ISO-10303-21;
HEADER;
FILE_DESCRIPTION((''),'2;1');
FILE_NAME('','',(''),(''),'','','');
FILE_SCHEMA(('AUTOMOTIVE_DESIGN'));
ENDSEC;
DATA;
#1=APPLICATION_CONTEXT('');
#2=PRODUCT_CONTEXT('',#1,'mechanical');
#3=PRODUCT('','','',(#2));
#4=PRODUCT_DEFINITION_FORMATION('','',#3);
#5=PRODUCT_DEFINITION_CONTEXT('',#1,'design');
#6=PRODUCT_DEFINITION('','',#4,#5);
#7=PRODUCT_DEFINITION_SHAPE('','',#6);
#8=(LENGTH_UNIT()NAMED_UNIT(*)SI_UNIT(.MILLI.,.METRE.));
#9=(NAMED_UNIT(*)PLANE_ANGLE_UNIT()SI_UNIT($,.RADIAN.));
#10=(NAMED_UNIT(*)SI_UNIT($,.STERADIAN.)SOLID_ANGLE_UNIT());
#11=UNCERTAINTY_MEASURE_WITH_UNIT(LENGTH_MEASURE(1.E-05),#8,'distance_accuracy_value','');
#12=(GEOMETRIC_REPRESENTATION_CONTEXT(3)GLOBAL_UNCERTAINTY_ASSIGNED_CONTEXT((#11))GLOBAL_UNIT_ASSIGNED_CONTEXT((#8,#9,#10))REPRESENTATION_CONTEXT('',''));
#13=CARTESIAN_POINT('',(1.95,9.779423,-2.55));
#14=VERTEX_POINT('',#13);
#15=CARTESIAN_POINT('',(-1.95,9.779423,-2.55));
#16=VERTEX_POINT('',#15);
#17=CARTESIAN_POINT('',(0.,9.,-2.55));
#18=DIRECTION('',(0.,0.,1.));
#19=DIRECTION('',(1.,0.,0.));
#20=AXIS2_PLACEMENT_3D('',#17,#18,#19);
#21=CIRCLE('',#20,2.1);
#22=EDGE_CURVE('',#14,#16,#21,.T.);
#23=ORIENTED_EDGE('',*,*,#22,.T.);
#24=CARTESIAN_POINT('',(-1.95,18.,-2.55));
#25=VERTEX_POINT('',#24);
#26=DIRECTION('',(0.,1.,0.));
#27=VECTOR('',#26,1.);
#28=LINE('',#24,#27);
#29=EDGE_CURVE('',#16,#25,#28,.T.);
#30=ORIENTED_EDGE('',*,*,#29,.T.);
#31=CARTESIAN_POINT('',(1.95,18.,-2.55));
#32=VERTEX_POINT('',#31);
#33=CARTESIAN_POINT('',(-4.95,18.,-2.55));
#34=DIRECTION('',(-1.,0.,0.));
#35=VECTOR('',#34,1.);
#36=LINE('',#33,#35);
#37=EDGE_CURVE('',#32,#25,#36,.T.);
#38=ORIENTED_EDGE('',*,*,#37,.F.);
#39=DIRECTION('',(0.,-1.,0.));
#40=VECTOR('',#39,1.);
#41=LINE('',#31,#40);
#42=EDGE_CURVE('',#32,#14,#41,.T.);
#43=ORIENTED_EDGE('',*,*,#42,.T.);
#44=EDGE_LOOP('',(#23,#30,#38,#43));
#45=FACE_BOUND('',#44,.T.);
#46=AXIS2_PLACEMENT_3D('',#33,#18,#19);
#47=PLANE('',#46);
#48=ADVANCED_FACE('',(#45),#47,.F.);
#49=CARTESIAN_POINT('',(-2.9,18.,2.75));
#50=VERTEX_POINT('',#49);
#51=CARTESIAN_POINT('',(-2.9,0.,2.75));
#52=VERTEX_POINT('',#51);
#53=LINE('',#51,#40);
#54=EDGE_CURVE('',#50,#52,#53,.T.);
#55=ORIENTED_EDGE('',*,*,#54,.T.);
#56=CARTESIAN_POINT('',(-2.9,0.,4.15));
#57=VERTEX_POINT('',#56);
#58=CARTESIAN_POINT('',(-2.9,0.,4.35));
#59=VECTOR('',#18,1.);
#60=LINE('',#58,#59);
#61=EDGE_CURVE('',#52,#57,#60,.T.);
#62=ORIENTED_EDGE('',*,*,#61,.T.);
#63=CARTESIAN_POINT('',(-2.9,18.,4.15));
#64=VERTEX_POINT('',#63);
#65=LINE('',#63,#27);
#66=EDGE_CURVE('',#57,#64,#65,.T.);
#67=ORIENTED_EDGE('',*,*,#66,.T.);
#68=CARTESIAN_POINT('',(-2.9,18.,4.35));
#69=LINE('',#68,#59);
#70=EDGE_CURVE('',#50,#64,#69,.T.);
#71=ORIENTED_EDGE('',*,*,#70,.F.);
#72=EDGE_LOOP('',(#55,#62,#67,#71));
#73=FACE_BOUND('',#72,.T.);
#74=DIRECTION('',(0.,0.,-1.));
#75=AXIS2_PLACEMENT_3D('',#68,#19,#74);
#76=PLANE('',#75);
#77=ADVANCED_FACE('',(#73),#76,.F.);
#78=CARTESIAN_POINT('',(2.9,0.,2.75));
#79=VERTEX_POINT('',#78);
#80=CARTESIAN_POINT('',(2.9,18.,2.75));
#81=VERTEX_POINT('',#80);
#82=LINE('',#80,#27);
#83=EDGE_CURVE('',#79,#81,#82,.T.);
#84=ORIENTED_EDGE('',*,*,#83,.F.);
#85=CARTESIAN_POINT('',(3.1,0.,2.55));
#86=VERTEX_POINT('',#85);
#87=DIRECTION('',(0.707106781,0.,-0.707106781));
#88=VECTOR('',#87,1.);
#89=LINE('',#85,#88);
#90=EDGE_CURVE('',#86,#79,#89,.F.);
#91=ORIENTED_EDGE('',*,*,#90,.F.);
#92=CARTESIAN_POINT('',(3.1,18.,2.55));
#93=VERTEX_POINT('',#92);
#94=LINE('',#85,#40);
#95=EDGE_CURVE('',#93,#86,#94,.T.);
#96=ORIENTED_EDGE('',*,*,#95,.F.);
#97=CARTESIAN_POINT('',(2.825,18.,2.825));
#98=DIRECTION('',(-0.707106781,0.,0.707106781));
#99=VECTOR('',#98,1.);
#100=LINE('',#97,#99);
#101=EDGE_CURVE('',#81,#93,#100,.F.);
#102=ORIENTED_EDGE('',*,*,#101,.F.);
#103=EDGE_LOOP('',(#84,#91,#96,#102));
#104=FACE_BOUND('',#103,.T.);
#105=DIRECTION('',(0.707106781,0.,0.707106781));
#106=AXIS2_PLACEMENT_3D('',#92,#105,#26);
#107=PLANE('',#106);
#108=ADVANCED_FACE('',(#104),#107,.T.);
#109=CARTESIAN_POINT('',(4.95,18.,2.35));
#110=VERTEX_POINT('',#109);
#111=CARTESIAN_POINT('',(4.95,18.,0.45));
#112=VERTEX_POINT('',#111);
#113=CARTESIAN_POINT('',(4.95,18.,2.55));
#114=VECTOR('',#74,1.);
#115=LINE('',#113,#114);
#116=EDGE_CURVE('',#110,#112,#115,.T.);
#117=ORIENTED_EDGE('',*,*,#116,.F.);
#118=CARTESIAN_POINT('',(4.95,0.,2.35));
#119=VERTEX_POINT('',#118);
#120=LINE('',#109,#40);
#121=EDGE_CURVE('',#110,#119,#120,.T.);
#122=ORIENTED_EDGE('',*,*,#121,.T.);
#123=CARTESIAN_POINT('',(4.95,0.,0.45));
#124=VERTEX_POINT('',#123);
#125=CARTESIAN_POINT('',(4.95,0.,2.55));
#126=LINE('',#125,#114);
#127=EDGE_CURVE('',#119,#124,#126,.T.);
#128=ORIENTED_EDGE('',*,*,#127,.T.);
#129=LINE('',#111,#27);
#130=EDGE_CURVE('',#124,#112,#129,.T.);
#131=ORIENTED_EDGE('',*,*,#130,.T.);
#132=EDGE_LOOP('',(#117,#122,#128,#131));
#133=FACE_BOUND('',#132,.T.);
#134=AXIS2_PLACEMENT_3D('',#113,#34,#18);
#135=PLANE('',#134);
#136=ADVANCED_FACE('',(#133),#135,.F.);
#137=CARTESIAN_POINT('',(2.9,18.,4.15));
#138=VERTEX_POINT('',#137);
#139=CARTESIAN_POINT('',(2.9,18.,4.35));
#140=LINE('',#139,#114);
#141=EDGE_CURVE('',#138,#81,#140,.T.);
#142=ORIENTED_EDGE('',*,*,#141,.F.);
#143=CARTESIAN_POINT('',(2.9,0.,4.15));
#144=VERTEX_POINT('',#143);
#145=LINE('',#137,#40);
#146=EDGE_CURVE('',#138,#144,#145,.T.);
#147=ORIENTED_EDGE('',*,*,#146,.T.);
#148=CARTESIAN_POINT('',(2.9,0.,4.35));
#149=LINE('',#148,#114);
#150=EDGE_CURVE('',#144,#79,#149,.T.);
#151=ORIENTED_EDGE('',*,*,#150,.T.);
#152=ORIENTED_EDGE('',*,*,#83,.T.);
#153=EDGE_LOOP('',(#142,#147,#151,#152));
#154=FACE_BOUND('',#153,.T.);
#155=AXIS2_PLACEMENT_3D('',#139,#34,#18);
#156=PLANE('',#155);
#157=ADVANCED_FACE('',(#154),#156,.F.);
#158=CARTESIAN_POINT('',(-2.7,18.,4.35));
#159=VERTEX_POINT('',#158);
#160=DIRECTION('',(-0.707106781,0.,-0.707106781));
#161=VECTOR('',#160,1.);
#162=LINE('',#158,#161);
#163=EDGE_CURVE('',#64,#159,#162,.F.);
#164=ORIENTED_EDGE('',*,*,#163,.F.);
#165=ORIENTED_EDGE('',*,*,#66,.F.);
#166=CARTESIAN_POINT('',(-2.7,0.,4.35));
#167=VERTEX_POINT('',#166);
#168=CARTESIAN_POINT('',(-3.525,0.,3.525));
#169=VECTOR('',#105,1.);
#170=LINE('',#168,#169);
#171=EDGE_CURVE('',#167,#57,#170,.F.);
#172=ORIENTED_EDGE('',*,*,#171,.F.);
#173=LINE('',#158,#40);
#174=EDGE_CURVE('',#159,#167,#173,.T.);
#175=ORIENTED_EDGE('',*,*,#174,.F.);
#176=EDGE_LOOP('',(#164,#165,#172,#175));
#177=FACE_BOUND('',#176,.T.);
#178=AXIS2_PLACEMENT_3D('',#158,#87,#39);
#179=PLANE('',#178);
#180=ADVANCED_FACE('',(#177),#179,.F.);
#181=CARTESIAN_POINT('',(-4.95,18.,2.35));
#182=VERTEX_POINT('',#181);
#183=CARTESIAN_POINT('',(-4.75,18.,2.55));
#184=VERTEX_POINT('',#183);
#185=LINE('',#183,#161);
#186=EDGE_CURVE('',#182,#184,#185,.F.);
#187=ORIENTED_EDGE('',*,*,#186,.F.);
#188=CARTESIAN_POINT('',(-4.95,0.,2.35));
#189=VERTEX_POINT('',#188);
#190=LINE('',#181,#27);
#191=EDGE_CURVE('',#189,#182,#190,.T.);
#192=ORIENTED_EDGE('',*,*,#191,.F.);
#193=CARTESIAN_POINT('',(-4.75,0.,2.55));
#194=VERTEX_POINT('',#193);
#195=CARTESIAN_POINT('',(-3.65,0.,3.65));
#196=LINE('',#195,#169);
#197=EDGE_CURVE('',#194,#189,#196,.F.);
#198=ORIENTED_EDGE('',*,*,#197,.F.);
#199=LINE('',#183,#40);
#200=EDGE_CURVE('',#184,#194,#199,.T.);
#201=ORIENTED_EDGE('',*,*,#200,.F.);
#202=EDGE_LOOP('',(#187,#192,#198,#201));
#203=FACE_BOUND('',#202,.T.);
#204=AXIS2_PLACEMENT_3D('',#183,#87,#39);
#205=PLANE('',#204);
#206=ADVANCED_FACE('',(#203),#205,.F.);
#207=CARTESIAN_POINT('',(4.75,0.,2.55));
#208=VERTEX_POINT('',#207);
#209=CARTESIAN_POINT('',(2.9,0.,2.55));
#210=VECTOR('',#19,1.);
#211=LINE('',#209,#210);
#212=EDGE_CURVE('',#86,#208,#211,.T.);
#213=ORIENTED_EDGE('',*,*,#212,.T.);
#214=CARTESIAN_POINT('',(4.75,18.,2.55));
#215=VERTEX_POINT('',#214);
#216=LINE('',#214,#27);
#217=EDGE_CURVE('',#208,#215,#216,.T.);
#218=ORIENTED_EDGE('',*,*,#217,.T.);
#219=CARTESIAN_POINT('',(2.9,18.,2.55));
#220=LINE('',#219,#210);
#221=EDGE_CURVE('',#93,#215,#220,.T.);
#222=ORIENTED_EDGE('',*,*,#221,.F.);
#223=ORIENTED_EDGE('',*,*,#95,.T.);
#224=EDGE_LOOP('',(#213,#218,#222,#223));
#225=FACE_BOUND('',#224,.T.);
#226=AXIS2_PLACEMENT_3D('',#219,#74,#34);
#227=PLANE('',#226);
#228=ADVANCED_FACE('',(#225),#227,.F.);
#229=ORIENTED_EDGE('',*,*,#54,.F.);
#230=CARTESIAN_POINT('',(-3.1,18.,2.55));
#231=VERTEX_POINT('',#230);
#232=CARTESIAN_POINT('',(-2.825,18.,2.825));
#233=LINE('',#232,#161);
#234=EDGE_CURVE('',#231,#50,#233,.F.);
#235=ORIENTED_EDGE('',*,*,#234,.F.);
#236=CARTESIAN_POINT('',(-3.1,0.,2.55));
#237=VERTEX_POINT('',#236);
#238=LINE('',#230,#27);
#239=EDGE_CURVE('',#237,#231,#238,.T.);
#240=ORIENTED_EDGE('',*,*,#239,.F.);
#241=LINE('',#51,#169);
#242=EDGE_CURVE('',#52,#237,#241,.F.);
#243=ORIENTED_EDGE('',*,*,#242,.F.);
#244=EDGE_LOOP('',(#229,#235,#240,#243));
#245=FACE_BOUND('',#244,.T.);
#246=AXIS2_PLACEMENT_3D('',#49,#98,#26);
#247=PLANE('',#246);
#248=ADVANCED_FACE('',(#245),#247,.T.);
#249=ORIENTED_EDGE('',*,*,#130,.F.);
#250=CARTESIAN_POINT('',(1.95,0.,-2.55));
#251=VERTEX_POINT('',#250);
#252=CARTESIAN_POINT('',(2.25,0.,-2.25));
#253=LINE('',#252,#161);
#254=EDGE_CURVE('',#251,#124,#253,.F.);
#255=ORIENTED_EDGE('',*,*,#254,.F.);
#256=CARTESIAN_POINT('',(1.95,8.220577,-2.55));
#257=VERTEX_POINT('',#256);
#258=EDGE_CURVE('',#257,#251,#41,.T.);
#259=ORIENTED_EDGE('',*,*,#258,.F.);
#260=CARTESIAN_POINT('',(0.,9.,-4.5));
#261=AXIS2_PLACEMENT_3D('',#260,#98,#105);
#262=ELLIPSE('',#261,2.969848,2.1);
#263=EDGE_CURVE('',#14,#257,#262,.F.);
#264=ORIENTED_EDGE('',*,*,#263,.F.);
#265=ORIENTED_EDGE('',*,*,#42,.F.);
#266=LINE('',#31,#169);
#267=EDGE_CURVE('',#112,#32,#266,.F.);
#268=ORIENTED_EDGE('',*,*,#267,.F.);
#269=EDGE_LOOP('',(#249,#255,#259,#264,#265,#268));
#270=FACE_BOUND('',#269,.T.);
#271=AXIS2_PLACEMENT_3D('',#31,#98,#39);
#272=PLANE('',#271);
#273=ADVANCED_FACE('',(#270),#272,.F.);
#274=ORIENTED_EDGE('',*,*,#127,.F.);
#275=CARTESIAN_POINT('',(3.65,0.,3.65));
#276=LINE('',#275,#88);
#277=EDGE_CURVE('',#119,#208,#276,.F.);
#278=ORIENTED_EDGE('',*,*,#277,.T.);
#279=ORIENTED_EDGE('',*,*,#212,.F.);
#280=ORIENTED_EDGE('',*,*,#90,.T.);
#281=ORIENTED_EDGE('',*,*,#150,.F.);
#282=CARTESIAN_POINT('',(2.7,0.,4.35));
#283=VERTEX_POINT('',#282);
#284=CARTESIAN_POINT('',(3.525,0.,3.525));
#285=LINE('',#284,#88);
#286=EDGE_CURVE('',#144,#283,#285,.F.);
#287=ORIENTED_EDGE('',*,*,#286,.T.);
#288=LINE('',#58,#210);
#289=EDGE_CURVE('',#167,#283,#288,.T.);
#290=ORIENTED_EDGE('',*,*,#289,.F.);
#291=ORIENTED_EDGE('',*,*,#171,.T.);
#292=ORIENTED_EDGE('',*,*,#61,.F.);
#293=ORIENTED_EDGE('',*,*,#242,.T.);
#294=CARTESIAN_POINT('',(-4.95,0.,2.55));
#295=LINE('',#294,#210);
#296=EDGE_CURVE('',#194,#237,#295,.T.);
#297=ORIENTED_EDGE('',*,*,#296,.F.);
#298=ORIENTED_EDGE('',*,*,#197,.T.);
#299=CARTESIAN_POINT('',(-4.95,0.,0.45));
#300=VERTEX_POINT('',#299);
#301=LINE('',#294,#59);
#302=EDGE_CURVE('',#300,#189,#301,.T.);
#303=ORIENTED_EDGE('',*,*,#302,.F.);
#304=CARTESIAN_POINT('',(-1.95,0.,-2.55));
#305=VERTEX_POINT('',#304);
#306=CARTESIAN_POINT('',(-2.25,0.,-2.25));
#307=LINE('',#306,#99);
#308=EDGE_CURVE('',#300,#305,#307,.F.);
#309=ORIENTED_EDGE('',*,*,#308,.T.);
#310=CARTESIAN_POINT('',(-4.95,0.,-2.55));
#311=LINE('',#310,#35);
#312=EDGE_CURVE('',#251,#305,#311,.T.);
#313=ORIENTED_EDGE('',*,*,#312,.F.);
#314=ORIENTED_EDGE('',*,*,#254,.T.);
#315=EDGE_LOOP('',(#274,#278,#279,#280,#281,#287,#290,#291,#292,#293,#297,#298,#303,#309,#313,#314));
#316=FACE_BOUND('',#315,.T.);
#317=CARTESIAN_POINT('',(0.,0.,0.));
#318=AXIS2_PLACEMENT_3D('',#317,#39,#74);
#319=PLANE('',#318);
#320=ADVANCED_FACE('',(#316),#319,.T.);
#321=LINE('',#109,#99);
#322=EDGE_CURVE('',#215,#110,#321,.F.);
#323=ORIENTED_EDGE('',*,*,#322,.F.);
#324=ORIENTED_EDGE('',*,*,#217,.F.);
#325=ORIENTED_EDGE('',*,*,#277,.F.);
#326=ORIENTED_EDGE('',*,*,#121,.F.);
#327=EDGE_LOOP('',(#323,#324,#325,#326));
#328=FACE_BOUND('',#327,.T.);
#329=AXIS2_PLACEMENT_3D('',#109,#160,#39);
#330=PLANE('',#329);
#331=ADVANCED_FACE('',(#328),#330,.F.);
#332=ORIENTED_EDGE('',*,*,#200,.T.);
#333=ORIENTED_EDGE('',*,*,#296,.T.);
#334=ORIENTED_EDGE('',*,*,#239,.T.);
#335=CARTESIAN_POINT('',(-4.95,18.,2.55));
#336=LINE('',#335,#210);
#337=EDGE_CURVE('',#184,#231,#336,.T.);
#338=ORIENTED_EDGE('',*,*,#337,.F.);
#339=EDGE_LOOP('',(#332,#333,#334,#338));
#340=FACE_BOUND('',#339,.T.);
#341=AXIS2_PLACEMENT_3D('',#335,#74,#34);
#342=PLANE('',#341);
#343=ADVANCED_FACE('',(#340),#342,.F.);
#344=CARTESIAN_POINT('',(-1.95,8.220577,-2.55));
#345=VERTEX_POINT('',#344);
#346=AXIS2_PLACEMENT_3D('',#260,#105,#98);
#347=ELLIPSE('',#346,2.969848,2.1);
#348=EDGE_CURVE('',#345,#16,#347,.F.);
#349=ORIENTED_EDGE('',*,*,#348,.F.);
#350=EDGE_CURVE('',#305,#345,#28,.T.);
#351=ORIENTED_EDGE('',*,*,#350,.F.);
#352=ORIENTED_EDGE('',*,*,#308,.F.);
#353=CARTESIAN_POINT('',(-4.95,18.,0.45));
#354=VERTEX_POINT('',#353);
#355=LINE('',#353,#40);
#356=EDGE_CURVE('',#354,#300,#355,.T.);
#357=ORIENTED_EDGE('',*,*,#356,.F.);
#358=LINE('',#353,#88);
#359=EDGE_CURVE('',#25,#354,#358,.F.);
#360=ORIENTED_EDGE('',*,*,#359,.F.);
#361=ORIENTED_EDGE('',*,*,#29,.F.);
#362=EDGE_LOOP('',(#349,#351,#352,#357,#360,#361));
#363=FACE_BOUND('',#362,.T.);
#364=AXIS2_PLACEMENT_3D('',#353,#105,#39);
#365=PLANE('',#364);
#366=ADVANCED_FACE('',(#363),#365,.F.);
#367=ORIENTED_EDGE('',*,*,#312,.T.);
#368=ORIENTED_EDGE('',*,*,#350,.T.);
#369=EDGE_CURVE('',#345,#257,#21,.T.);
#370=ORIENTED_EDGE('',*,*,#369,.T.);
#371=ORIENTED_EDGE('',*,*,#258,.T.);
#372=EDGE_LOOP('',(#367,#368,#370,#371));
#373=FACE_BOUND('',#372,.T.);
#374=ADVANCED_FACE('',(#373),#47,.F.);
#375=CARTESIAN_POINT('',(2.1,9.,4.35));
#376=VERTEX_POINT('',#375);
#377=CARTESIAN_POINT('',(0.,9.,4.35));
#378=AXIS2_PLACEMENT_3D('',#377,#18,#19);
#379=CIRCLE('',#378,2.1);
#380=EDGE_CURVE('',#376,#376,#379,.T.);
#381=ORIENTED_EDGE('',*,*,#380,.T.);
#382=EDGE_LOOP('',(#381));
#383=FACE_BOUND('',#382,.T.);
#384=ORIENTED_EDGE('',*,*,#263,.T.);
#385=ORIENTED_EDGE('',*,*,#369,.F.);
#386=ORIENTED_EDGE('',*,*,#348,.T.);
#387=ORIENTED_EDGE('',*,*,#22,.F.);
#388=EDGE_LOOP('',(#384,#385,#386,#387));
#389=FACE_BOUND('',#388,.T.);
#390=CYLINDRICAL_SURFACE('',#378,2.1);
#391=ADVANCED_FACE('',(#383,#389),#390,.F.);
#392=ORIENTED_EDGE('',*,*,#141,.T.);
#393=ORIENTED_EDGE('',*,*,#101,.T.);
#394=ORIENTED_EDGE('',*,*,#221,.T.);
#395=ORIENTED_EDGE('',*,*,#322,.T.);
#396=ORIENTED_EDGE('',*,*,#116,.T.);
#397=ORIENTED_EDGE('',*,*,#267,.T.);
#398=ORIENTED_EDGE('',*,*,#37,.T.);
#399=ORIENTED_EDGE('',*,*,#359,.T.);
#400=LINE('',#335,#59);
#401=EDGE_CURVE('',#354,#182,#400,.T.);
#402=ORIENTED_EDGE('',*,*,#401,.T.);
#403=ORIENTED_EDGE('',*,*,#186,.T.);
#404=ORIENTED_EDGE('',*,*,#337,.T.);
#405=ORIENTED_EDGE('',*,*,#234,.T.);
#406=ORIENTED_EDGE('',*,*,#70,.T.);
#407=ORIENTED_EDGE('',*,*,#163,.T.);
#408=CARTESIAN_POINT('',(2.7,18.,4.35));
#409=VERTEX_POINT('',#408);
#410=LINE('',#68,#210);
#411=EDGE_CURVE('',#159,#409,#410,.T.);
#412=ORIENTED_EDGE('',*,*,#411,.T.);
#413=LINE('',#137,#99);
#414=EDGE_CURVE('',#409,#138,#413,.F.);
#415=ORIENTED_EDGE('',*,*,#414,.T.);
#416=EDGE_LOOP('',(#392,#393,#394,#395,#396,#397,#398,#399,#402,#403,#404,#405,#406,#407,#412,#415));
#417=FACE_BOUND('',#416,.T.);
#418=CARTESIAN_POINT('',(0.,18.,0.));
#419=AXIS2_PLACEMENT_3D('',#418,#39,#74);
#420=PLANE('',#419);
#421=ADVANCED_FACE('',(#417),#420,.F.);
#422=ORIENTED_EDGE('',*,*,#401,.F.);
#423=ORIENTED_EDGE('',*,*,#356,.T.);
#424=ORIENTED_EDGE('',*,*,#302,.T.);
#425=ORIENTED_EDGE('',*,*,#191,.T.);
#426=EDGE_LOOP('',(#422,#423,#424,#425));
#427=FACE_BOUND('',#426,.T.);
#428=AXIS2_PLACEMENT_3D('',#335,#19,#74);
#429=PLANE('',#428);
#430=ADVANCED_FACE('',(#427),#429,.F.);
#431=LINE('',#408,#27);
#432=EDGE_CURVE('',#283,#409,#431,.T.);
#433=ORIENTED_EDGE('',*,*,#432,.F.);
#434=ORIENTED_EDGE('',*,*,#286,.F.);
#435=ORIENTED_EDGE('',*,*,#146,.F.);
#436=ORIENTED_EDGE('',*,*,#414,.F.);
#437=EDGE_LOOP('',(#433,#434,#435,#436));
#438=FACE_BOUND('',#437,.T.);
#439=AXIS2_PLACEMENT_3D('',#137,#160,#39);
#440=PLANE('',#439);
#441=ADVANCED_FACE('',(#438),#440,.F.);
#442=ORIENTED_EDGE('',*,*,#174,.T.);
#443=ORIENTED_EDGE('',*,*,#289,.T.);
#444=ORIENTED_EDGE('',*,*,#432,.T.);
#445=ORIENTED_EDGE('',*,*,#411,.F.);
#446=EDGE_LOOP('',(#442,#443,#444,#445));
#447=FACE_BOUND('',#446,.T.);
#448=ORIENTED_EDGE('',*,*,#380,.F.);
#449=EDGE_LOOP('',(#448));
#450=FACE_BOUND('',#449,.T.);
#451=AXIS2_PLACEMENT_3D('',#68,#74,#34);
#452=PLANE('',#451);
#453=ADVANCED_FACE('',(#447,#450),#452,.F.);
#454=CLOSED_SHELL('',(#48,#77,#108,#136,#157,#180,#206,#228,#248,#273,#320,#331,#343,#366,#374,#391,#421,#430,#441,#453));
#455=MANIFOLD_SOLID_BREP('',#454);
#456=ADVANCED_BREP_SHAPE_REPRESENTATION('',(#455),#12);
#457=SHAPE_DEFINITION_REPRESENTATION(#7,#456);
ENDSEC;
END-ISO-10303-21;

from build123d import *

# Parameters (mm, degrees)
EXTRUDE_1_DEPTH    = 18
CHAMFER_1_SIZE     = 3
CHAMFER_2_SIZE     = 0.2
HOLE_WIZARD_M5_1_D = 4.2


with BuildPart() as part:
    # 草图1 → 凸台-拉伸1 (new body)
    with BuildSketch(Plane(origin=(0, 0, 0), x_dir=(1, 0, 0), z_dir=(0, 1, 0))):
        Polygon((2.9, -2.55), (4.95, -2.55), (4.95, 2.55), (-4.95, 2.55), (-4.95, -2.55), (-2.9, -2.55), (-2.9, -4.35), (2.9, -4.35), align=None)
    extrude(amount=EXTRUDE_1_DEPTH)

    # 倒角1
    chamfer_1_edges = [part.edges().sort_by_distance(p)[0] for p in [
        (-4.95, 9, -2.55),
        (4.95, 9, -2.55),
    ]]
    chamfer(chamfer_1_edges, length=CHAMFER_1_SIZE)

    # 倒角2
    chamfer_2_edges = [part.edges().sort_by_distance(p)[0] for p in [
        (4.95, 9, 2.55),
        (2.9, 9, 2.55),
        (2.9, 9, 4.35),
        (-2.9, 9, 4.35),
        (-2.9, 9, 2.55),
        (-4.95, 9, 2.55),
    ]]
    chamfer(chamfer_2_edges, length=CHAMFER_2_SIZE)

    # M5 螺纹孔1 (through all)
    with Locations(Plane.XY.offset(4.35)):
        with Locations((0, 9)):
            Hole(HOLE_WIZARD_M5_1_D / 2)


solid = part.part
